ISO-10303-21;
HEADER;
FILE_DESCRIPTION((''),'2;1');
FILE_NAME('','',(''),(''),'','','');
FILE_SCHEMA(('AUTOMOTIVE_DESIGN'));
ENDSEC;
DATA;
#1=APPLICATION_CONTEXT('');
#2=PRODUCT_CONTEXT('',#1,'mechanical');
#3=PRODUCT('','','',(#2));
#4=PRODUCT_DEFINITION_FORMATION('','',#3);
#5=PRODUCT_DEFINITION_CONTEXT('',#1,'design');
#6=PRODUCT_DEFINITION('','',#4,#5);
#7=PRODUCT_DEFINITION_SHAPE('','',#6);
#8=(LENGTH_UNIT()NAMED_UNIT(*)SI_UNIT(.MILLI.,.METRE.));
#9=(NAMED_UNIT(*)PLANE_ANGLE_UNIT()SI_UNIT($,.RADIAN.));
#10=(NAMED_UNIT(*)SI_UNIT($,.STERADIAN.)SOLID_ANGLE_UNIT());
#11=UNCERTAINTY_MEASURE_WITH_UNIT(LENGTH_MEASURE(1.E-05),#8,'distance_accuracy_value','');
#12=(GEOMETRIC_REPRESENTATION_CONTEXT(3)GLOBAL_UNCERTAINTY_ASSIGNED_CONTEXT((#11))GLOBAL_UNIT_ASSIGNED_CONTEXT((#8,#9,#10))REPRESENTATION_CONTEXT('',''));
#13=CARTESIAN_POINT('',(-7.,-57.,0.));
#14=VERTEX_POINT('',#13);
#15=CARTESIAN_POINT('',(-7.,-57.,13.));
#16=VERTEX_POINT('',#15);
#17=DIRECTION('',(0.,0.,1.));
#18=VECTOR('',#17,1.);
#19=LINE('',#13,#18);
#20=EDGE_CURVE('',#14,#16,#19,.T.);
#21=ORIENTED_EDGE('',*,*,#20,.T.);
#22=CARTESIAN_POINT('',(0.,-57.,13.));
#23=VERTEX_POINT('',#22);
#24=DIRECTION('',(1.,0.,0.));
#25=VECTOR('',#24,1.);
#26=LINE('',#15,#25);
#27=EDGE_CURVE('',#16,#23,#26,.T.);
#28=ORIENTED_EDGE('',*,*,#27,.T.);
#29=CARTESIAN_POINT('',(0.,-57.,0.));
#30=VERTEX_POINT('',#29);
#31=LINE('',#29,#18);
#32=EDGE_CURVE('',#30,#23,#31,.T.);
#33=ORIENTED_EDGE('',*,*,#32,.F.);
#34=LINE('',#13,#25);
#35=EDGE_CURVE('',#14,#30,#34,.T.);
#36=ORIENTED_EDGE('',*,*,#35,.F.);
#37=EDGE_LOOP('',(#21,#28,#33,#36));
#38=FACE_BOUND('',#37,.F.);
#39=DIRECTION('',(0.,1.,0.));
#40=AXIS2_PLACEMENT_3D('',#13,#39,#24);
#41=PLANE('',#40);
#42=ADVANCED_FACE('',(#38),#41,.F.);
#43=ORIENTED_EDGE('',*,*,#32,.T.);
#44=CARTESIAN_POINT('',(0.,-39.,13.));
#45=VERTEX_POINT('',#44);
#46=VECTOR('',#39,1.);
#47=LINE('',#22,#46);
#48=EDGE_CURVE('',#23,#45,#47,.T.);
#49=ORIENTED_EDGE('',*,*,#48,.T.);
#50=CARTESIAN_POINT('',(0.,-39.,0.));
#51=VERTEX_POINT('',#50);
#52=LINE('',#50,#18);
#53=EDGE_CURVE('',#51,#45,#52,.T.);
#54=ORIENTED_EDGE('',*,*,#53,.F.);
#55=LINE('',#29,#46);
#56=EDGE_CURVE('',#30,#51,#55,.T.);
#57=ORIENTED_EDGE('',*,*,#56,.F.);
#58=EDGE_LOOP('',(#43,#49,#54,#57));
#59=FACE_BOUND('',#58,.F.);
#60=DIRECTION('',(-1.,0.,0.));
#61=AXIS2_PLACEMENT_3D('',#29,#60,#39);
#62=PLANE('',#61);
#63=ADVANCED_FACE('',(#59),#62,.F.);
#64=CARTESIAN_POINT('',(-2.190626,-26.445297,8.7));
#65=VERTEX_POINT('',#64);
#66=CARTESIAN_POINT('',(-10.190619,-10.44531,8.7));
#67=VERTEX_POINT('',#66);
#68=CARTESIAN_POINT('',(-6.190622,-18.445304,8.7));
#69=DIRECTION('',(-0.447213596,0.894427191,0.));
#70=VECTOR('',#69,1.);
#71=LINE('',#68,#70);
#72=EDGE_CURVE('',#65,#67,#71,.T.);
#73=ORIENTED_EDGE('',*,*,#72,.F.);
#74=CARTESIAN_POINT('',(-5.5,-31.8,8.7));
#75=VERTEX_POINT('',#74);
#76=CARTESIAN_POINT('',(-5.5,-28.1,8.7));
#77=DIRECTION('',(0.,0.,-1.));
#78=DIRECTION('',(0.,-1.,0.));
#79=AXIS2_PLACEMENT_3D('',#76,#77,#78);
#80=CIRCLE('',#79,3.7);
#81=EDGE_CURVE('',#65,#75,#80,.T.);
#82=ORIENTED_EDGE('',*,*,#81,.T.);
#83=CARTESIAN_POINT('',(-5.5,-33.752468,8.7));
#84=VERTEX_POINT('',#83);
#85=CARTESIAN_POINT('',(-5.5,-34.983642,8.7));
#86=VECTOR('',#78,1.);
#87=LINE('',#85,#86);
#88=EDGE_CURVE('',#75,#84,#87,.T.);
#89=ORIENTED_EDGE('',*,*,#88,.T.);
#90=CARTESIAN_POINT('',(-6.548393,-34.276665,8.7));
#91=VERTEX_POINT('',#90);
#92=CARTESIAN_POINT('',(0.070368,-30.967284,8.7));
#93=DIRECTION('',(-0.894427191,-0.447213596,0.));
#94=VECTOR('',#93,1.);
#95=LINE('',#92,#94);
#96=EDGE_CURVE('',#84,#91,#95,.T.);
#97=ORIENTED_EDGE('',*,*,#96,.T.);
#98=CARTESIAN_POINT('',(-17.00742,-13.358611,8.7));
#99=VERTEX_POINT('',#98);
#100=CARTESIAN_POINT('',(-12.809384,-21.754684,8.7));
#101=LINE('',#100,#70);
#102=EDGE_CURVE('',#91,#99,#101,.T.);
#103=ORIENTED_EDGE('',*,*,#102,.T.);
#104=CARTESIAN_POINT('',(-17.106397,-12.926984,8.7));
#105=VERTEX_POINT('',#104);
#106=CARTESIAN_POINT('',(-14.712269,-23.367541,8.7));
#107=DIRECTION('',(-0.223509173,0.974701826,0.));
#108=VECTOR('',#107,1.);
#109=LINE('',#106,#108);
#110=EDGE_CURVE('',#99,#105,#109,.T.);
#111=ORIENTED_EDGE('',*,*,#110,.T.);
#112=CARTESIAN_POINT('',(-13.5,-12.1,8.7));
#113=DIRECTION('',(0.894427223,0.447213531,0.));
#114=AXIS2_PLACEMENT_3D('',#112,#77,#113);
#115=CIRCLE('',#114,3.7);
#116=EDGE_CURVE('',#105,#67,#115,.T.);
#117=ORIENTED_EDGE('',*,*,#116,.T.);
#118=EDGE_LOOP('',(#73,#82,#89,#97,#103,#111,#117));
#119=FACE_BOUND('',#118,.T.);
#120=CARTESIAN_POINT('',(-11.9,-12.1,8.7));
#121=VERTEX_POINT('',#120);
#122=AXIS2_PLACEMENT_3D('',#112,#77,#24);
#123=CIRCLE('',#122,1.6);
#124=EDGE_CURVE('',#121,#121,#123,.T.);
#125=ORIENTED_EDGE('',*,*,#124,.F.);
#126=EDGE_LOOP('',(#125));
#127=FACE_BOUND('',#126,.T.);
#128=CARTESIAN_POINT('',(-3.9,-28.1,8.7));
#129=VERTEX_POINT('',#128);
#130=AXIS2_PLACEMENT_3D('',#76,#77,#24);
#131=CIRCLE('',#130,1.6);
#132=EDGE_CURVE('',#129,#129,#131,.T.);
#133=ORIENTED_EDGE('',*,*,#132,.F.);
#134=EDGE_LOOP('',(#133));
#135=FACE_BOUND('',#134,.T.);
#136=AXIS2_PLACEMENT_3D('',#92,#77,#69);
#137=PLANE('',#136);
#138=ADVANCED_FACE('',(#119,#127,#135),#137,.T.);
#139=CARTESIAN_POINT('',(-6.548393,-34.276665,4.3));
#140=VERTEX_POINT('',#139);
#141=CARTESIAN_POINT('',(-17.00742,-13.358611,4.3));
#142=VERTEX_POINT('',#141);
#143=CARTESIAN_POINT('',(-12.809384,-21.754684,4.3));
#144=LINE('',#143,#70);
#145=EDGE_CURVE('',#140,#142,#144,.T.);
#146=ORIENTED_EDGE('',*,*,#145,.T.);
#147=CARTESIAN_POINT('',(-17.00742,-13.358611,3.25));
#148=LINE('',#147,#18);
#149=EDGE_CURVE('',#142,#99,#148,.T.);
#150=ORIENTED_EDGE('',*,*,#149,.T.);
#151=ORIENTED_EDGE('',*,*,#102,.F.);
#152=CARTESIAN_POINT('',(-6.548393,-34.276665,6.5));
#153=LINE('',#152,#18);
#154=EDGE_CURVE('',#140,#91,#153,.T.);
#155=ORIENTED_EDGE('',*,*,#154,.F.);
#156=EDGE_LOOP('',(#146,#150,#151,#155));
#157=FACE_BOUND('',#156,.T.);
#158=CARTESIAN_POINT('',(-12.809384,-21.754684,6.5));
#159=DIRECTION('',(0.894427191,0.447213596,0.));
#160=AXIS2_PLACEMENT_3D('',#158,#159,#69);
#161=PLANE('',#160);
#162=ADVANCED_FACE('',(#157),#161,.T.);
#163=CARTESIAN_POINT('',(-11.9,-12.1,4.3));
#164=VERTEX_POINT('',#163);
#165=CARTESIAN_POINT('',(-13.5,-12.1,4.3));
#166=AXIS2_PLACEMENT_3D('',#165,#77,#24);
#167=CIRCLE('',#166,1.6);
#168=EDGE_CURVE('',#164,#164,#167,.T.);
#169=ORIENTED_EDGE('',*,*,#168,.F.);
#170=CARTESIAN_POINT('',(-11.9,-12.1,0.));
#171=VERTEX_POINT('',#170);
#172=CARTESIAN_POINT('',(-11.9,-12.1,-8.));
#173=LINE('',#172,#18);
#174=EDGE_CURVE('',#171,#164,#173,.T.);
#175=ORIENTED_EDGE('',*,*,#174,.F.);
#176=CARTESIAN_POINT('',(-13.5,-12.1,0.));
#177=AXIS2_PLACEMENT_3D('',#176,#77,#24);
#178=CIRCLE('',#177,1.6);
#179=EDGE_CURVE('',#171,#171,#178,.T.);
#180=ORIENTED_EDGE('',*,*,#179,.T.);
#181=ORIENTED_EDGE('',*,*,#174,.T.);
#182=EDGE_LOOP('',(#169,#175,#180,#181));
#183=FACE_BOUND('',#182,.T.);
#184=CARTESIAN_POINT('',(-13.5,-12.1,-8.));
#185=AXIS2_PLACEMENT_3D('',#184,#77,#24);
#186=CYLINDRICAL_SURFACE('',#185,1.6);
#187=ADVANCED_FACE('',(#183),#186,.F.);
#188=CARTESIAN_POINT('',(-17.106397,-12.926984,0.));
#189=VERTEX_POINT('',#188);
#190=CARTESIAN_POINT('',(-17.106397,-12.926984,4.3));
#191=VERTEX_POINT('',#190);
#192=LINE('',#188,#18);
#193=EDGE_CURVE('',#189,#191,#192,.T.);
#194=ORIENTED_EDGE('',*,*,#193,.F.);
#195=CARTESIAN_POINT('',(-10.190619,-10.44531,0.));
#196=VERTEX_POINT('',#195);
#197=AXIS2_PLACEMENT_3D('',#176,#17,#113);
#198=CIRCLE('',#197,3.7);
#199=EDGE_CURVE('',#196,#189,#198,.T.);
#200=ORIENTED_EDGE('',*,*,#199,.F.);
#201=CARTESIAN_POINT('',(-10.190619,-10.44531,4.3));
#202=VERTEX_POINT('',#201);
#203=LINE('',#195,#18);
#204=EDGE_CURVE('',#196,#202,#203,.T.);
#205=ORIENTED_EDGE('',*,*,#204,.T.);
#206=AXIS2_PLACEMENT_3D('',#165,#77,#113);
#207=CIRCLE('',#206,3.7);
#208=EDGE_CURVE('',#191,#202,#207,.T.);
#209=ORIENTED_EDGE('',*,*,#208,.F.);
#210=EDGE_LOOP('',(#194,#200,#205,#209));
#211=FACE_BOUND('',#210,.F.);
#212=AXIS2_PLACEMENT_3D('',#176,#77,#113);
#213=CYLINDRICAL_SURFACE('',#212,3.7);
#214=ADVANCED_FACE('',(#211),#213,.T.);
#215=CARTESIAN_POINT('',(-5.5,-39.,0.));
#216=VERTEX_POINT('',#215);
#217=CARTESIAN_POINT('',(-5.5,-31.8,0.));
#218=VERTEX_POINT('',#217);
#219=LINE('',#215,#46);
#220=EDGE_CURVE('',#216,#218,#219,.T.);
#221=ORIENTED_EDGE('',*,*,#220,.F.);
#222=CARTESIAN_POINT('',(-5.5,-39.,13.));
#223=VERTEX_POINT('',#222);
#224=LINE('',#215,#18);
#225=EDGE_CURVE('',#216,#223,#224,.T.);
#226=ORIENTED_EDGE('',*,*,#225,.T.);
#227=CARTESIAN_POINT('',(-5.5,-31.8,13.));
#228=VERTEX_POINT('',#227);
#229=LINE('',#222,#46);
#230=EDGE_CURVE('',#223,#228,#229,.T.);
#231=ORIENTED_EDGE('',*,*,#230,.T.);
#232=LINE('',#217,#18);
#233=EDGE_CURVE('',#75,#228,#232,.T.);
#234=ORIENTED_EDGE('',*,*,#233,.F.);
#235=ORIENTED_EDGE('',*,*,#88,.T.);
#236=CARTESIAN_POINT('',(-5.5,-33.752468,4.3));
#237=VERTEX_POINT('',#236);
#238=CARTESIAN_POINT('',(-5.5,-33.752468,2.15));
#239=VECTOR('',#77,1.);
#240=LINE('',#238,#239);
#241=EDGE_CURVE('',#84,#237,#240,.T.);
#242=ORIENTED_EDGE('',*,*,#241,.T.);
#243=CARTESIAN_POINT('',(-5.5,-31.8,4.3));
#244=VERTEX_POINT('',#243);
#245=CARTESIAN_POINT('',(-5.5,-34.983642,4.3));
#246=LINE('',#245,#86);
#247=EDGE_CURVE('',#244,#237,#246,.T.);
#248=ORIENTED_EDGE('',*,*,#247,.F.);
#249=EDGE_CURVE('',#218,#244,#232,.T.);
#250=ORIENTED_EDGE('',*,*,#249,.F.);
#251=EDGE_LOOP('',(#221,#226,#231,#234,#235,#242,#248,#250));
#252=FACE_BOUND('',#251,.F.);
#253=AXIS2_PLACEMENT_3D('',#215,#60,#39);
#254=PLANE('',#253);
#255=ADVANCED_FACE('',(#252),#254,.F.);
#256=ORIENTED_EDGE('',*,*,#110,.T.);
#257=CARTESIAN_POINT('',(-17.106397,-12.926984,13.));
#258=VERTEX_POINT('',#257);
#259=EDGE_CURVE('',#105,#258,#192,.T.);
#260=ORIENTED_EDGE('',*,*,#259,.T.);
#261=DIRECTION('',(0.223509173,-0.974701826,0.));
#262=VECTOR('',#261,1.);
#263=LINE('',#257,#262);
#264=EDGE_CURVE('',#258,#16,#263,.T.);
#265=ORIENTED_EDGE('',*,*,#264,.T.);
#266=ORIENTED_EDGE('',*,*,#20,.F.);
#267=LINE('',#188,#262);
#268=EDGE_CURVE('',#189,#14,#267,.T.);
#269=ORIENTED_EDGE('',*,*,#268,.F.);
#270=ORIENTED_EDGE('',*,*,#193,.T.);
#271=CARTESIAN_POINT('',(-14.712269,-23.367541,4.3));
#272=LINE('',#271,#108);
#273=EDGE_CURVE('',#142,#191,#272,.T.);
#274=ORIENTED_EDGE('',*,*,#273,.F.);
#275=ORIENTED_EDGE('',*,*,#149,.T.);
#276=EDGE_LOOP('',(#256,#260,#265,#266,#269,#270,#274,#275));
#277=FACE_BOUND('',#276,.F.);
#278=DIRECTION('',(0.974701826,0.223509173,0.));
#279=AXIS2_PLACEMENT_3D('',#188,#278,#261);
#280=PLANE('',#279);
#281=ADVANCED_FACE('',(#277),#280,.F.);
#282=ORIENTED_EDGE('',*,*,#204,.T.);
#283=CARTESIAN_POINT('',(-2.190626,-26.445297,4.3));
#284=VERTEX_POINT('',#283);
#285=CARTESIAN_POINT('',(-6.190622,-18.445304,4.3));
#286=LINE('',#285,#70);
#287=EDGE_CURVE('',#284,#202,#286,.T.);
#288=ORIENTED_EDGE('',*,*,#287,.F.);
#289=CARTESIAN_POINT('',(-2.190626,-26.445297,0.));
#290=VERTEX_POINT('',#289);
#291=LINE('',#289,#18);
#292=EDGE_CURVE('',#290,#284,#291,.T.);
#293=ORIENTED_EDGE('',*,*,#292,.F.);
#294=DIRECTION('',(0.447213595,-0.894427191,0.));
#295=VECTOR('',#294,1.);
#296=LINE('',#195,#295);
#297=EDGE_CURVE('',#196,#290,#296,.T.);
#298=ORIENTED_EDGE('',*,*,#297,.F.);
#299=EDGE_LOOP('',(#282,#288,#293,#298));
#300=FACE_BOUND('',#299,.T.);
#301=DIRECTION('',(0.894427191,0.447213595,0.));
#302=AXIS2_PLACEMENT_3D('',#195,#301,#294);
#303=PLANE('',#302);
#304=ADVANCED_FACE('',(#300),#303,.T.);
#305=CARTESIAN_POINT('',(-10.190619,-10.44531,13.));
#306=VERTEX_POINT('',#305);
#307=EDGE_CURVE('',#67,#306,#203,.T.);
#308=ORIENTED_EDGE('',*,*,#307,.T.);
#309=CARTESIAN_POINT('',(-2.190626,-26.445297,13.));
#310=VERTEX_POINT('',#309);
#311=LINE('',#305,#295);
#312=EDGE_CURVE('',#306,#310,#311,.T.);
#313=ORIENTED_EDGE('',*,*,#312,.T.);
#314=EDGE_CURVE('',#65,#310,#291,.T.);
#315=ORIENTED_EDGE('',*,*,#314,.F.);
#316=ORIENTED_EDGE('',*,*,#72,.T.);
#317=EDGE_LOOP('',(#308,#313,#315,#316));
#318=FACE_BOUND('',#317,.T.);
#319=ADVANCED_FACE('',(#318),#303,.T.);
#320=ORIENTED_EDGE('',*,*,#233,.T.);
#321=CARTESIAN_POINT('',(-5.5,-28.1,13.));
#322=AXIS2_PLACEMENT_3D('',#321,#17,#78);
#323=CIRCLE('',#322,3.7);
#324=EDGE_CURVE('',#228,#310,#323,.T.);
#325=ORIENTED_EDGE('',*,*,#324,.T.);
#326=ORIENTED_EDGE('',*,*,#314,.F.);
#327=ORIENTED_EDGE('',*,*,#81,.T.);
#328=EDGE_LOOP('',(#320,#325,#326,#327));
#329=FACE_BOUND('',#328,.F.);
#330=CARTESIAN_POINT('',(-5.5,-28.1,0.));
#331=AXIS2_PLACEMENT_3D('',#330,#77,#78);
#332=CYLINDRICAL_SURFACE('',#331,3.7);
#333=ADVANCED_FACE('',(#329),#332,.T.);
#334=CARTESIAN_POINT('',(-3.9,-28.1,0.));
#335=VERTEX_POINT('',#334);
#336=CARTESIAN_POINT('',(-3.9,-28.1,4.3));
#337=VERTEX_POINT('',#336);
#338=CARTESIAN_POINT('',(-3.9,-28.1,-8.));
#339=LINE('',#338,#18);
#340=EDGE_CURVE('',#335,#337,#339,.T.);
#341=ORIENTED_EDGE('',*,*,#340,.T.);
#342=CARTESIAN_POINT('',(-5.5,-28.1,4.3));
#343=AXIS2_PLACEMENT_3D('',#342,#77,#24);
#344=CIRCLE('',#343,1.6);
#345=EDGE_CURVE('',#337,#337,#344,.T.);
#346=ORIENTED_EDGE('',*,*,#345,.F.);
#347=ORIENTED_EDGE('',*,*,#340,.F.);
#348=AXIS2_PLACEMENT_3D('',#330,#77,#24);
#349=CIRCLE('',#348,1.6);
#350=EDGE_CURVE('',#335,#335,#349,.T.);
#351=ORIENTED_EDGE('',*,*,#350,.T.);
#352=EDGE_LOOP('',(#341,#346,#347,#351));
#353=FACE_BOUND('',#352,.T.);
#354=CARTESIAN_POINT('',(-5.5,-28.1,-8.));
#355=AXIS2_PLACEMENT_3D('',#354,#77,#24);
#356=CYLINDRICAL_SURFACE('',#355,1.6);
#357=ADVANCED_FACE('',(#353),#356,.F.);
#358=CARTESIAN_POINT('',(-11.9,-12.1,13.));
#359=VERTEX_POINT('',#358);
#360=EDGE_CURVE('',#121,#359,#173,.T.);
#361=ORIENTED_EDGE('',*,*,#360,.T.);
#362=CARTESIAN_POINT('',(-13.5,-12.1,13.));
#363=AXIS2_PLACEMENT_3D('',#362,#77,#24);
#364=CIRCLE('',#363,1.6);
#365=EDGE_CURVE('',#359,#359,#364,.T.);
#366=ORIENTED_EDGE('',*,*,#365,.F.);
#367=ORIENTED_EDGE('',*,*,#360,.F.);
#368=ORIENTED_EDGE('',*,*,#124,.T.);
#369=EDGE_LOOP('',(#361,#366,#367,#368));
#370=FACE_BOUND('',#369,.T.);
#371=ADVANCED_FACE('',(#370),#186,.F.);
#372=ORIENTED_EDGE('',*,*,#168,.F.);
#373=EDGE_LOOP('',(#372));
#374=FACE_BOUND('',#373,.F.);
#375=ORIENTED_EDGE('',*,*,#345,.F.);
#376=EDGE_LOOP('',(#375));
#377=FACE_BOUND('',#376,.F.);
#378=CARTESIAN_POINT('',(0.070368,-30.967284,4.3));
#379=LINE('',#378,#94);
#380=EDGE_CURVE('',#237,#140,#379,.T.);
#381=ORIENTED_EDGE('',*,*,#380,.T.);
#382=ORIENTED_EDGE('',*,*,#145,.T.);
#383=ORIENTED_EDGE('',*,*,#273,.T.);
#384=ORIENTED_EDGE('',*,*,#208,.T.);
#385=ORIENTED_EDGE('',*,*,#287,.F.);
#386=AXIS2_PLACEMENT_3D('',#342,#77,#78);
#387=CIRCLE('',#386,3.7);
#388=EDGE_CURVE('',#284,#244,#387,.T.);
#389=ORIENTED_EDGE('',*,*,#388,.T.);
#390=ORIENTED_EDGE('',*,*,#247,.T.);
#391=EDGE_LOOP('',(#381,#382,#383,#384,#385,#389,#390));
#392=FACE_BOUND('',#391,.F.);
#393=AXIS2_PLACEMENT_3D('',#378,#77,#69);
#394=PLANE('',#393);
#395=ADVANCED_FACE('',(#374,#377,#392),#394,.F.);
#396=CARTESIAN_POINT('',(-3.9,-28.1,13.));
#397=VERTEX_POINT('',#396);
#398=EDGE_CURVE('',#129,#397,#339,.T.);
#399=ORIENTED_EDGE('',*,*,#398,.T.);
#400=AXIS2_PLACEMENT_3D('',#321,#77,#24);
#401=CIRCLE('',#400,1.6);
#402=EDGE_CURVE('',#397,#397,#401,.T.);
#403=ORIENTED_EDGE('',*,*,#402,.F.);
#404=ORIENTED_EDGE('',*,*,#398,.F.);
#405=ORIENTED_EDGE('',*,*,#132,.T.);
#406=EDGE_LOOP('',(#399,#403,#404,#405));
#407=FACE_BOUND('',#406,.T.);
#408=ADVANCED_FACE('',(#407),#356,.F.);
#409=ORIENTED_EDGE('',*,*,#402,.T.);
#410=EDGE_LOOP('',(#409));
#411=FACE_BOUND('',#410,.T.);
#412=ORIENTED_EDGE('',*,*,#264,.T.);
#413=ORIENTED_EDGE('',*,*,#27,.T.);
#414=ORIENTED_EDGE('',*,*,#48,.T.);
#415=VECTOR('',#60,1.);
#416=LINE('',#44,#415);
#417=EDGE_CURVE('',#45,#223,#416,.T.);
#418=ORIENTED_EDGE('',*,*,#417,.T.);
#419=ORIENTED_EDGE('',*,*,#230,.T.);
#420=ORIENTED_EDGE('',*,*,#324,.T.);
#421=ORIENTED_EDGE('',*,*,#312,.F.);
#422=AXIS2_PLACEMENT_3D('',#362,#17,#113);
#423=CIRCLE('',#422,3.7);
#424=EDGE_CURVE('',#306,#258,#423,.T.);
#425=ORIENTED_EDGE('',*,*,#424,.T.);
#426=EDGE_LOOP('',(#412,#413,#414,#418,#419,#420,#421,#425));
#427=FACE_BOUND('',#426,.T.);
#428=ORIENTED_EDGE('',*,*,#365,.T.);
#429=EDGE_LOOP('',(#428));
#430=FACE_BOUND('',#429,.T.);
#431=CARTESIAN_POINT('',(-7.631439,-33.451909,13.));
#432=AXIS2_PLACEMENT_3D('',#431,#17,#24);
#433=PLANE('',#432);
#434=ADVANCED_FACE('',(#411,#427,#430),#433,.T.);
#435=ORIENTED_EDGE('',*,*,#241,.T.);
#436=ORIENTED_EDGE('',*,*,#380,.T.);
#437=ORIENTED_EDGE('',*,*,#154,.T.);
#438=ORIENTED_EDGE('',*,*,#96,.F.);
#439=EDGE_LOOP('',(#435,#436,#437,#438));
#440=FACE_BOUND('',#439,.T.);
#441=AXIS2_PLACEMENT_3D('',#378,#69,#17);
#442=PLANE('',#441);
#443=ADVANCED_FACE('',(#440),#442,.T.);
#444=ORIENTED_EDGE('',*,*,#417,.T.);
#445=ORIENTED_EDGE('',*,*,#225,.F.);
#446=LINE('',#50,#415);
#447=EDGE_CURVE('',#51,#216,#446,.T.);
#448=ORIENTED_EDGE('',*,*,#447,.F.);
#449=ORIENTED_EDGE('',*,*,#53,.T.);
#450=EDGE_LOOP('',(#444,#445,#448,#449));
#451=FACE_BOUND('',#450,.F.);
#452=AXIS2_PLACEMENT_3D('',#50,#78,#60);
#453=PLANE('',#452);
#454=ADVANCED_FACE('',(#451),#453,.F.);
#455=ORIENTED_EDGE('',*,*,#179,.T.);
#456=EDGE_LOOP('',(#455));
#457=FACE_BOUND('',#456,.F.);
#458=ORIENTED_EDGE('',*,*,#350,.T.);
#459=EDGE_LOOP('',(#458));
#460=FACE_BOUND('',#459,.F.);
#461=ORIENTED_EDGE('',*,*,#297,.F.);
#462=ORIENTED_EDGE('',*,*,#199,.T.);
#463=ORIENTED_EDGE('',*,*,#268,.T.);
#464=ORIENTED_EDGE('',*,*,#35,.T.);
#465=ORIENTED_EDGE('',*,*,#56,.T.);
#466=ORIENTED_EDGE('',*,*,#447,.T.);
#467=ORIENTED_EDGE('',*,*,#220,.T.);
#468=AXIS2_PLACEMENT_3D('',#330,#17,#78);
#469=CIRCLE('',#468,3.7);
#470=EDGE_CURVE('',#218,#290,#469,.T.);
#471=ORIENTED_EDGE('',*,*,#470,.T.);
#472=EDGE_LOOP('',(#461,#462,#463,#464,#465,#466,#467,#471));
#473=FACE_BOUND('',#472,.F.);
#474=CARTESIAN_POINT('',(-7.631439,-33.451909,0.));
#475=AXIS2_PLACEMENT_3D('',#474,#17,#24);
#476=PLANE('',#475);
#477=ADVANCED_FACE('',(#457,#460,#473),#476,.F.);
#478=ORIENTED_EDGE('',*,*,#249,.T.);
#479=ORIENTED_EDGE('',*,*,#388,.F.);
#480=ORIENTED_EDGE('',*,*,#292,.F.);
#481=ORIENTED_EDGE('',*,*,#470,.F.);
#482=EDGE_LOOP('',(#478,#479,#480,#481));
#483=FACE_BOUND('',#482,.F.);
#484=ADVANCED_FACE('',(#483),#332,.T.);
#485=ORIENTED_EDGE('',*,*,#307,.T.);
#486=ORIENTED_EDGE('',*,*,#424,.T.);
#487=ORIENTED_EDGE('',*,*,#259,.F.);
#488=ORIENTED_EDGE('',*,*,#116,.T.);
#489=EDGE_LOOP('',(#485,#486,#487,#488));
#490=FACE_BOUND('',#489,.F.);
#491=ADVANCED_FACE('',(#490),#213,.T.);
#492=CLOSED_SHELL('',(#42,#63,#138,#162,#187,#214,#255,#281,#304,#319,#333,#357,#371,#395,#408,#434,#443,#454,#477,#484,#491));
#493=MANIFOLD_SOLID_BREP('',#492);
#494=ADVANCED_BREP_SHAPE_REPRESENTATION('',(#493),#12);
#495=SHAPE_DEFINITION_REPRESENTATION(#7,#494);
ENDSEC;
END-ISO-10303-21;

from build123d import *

# Parameters (mm, degrees)
CYLINDER005_R     = 1.6
CYLINDER005_DEPTH = 30
PAD001_DEPTH      = 13
SKETCH001_W       = 28
SKETCH001_H       = 4.4
POCKET002_DEPTH   = 7.4


with BuildPart() as finger_drill_master:
    # Cylinder005 → Cylinder005 (new body)
    with BuildSketch(Plane.XY.offset(-8)):
        Circle(CYLINDER005_R)
    extrude(amount=CYLINDER005_DEPTH)


with BuildPart() as clone001:
    # Clone001 base: copy of finger-drill-master
    add(finger_drill_master.part)


with BuildPart() as clone001_1:
    # Clone001 placement: moved
    add(clone001.part.moved(Location((-5.5, 28.9, 0))))


with BuildPart() as finger_drills:
    # Clone002 base: copy of finger-drill-master
    add(finger_drill_master.part)


with BuildPart() as finger_drills_1:
    # Clone002 placement: moved
    add(finger_drills.part.moved(Location((-13.5, 44.9, 0))))

    # Fusion011: union Clone001
    add(clone001_1.part)


with BuildPart() as finger_final_src:
    # Sketch007 → Pad001 (new body)
    with BuildSketch(Plane.XY):
        with BuildLine():
            Line((0, 0), (0, 18))
            Line((0, 18), (-5.5, 18))
            Line((-5.5, 18), (-5.5, 25.2))
            ThreePointArc((-5.5, 25.2), (-2.3525883805, 26.9548007564), (-2.1906255667, 30.55470265))
            Line((-10.1906192745, 46.5546900658), (-2.1906255667, 30.55470265))
            ThreePointArc((-10.1906192745, 46.5546900658), (-14.7496924515, 48.3825664066), (-17.1063967324, 44.0730159565))
            Line((-17.1063967324, 44.0730159565), (-7, 0))
            Line((-7, 0), (0, 0))
        make_face()
    extrude(amount=PAD001_DEPTH)

    # Sketch001 → Pocket002 (cut)
    with BuildSketch(Plane(origin=(10.4693806066, 5.2346903033, 0), x_dir=(-0.4472135955, 0.894427191, 0), z_dir=(0.894427191, 0.4472135955, 0))):
        with Locations((37.2528992744, 6.5)):
            Rectangle(SKETCH001_W, SKETCH001_H)
    extrude(amount=-POCKET002_DEPTH, mode=Mode.SUBTRACT)

    # Cut012: cut finger-drills
    add(finger_drills_1.part, mode=Mode.SUBTRACT)


with BuildPart() as finger_final_src_1:
    # Cut012 placement: moved
    add(finger_final_src.part.moved(Location((0, -57, 0))))


solid = finger_final_src_1.part
